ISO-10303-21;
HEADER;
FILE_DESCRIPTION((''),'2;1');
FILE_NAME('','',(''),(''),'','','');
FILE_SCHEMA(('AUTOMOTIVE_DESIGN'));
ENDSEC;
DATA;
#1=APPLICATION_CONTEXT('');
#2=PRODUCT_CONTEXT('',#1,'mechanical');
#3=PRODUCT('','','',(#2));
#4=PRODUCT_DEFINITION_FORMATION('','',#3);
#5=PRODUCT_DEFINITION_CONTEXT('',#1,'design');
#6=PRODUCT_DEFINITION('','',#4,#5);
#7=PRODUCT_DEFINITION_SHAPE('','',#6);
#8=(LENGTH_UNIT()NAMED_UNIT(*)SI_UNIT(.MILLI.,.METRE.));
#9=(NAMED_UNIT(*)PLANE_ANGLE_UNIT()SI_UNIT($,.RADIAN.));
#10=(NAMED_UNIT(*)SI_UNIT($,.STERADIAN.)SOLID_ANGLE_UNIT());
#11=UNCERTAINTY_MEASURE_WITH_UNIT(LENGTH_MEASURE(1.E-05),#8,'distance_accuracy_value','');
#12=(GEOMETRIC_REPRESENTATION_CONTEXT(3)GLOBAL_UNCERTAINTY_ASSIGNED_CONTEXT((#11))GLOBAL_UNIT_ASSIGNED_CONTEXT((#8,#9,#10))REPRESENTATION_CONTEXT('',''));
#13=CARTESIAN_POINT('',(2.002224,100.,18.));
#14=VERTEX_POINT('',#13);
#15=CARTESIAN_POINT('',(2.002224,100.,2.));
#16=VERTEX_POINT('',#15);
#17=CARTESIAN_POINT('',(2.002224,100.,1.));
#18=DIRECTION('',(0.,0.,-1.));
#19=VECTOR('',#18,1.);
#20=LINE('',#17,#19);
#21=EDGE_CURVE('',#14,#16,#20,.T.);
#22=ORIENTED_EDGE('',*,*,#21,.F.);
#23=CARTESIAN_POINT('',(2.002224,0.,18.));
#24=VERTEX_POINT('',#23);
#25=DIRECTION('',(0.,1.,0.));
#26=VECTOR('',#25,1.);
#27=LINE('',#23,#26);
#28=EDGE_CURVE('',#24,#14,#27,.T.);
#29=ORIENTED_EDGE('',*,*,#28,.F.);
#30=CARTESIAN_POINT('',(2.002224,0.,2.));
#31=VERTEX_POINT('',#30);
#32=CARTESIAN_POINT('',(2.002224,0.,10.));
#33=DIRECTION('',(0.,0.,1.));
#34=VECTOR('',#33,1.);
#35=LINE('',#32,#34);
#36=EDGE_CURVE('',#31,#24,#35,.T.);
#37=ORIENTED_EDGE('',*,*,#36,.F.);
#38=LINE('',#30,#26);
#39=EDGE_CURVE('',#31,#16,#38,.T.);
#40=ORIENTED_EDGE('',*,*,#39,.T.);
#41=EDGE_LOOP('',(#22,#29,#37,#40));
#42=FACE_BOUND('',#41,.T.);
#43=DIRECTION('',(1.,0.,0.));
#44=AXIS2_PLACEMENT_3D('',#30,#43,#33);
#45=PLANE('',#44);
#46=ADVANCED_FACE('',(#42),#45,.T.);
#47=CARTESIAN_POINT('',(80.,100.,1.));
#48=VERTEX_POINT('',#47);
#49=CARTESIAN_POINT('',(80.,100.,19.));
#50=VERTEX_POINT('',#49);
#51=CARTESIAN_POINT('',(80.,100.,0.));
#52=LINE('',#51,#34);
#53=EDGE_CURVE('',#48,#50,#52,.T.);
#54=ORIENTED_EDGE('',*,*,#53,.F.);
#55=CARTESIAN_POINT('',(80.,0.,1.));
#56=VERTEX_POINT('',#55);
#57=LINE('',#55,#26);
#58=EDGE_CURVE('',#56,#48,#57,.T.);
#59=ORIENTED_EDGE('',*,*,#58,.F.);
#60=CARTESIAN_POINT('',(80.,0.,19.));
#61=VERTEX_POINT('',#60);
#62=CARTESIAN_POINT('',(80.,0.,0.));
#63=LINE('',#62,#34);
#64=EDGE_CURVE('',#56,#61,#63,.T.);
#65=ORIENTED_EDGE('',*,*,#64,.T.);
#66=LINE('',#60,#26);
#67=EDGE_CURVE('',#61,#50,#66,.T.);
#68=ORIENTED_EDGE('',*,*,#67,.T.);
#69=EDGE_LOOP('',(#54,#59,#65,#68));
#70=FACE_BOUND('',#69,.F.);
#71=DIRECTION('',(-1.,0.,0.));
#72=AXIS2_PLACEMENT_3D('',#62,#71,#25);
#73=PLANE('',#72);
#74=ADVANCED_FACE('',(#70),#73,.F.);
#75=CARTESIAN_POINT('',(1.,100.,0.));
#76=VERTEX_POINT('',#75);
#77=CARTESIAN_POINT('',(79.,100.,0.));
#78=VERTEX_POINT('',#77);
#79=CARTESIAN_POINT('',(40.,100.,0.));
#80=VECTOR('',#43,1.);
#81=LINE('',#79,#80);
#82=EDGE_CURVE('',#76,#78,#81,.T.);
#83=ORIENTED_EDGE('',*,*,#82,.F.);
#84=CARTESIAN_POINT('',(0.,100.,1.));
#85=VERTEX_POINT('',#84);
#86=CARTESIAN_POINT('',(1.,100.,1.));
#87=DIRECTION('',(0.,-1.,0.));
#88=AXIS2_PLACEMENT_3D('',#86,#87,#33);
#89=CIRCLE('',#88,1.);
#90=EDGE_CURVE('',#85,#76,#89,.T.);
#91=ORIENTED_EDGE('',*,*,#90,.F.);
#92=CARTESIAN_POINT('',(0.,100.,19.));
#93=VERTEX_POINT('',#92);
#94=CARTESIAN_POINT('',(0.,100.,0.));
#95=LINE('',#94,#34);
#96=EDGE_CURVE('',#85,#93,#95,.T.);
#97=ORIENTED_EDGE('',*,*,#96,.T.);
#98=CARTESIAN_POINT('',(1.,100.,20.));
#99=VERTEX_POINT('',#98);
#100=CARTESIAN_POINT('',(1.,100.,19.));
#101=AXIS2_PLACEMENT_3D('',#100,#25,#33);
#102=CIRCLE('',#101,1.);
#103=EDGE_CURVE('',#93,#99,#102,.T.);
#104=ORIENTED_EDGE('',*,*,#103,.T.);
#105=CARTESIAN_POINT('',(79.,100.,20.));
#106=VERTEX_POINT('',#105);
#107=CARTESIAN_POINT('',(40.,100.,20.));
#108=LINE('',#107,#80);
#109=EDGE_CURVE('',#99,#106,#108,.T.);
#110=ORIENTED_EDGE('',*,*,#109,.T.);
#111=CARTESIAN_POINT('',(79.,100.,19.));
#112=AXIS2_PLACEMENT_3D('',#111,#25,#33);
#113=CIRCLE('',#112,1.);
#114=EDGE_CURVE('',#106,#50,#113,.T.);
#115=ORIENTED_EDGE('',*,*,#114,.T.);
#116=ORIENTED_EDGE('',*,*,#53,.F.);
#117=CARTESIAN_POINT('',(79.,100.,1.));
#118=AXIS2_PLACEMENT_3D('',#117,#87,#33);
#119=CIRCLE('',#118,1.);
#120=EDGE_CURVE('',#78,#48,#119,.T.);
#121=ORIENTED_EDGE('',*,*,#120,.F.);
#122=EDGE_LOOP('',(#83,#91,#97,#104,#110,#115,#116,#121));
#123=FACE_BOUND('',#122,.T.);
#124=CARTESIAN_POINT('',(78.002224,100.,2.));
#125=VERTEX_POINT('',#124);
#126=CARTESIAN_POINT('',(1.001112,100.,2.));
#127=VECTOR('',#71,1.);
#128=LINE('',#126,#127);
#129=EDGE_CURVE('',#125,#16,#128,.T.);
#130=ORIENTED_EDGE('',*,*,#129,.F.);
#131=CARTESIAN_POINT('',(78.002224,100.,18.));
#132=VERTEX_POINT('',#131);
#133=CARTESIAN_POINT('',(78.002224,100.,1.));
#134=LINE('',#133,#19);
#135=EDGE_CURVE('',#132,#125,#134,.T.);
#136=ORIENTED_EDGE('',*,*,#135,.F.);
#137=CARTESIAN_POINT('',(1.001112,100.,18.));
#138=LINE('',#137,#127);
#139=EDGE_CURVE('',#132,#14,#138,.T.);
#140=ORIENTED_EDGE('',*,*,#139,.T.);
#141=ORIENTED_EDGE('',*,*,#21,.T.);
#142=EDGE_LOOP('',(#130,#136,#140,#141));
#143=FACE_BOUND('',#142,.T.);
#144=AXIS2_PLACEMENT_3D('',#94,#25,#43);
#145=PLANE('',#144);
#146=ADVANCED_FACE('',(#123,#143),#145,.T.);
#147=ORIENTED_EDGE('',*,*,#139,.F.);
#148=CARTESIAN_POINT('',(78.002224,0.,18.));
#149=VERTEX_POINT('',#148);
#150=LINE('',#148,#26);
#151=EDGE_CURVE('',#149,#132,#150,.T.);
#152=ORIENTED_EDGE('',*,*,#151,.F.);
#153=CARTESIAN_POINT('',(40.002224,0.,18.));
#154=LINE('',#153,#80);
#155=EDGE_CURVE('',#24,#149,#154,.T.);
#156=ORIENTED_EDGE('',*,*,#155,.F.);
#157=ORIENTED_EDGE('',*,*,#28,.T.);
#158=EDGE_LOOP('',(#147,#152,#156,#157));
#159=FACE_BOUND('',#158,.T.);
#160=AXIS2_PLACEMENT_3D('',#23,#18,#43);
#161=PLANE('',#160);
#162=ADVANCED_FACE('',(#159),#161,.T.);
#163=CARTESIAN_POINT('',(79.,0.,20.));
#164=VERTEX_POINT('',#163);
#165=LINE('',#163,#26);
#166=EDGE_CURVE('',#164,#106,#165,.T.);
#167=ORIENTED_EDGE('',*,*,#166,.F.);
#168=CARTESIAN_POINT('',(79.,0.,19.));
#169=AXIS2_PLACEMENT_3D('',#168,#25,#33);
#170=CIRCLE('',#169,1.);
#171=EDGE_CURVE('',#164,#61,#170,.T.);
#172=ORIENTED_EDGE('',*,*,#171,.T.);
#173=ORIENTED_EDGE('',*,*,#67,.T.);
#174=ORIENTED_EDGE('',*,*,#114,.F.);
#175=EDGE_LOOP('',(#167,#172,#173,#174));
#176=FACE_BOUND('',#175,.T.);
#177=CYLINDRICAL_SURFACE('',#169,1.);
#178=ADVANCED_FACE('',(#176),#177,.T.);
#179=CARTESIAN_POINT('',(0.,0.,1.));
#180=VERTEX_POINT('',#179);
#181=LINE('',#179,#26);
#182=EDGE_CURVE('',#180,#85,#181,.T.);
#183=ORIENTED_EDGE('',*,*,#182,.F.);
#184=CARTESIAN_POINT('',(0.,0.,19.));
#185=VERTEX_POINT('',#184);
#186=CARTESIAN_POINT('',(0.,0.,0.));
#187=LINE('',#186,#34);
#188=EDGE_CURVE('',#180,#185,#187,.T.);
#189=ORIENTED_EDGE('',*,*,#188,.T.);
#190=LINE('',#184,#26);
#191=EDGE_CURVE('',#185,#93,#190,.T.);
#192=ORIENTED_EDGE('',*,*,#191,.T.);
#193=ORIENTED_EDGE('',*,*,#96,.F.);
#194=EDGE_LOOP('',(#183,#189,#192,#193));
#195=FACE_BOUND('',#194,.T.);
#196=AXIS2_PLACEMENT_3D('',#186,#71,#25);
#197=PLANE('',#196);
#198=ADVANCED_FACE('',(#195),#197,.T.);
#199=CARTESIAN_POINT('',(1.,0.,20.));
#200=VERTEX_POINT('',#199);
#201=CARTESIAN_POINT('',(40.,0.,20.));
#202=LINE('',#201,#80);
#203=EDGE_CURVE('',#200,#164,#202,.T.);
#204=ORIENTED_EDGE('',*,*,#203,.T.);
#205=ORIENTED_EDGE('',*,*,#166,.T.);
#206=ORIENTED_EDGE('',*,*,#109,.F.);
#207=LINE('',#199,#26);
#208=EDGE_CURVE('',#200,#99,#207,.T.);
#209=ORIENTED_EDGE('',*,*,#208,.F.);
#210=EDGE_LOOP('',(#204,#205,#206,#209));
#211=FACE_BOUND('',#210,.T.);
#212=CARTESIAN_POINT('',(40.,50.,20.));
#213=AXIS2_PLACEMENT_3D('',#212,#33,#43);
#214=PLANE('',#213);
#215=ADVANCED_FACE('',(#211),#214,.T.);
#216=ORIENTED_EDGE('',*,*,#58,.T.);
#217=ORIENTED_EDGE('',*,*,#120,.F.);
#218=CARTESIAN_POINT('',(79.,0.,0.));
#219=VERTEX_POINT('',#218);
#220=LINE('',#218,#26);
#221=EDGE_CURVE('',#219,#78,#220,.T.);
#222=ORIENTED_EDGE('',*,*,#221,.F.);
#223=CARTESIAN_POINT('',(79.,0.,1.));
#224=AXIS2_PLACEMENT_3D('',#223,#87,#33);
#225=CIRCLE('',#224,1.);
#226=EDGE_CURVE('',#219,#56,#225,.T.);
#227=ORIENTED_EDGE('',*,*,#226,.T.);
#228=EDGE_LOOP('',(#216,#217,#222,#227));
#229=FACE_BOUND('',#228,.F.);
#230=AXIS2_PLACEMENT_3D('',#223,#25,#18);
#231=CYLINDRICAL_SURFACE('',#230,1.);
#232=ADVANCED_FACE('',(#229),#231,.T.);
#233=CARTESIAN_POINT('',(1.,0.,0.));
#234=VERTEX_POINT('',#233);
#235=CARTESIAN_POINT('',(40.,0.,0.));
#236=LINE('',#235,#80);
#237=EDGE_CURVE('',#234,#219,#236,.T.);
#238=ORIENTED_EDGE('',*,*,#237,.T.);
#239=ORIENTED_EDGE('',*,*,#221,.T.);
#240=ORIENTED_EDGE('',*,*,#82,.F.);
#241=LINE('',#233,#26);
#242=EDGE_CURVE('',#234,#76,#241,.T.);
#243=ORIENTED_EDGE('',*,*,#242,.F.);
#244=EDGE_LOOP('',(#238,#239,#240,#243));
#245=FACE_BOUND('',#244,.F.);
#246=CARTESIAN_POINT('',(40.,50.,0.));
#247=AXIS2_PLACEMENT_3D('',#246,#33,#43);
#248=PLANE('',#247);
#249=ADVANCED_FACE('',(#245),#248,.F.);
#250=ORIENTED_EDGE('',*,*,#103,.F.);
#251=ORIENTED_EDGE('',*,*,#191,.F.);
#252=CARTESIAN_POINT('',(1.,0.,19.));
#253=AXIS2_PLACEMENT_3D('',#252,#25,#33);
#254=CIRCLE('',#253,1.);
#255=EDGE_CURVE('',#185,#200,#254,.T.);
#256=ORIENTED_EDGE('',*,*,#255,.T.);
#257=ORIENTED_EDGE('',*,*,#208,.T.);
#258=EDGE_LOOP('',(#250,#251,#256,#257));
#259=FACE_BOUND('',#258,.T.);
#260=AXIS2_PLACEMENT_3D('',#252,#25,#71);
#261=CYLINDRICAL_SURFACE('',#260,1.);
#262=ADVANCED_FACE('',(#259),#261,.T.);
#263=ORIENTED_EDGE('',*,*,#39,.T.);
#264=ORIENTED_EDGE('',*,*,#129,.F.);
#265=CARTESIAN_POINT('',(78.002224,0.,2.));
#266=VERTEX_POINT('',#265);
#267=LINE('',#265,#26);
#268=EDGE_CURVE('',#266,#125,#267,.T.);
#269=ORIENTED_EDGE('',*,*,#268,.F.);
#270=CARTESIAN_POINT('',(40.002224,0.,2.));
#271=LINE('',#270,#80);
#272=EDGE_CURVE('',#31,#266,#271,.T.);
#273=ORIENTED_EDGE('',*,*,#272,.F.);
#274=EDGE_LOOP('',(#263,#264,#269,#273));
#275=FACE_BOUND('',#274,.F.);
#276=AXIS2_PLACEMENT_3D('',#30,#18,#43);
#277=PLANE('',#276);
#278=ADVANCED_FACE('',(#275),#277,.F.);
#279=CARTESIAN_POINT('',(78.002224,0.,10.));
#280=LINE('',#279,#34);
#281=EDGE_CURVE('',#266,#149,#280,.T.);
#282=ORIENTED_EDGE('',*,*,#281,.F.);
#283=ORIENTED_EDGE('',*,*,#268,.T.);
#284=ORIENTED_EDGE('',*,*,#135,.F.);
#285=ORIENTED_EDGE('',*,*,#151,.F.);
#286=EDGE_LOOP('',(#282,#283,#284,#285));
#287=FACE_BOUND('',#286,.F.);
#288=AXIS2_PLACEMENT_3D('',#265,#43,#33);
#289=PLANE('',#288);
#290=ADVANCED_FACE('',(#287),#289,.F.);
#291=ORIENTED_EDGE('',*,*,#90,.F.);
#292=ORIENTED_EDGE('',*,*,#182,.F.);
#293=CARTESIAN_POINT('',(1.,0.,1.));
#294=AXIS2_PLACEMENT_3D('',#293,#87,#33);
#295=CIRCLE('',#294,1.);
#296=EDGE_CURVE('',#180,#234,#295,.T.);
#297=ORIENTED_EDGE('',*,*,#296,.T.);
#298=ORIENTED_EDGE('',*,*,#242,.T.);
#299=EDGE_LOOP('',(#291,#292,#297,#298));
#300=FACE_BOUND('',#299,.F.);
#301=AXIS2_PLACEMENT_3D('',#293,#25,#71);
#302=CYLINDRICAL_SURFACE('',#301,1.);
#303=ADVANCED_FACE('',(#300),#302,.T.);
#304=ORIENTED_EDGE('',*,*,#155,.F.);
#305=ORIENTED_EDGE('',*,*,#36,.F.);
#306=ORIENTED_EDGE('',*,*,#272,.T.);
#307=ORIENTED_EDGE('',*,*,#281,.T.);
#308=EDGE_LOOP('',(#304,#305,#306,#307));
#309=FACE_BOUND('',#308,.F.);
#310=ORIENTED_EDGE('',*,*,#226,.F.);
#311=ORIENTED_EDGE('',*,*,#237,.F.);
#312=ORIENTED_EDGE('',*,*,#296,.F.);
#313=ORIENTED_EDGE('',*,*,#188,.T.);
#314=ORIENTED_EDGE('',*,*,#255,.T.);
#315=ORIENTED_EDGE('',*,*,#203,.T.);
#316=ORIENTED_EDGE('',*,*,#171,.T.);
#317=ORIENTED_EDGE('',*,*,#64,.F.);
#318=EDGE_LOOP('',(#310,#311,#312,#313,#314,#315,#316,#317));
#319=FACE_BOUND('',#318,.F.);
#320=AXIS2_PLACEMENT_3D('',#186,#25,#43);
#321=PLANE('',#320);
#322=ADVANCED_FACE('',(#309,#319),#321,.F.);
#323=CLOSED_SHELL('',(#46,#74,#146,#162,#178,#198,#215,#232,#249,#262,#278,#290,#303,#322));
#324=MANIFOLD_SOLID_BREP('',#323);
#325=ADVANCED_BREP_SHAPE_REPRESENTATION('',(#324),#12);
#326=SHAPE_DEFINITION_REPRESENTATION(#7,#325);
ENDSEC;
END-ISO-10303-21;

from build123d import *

# Parameters (mm, degrees)
SKETCH_W     = 80
SKETCH_H     = 100
PAD_DEPTH    = 20
SKETCH001_W  = 76
SKETCH001_H  = 16
POCKET_DEPTH = 100.001
FILLET_R     = 1


with BuildPart() as part:
    # Sketch → Pad (new body)
    with BuildSketch(Plane.XY):
        with Locations((40, 50)):
            Rectangle(SKETCH_W, SKETCH_H)
    extrude(amount=PAD_DEPTH)

    # Sketch001 (on Face1 of Pad) → Pocket (cut, through all)
    with BuildSketch(Plane.XZ):
        with Locations((40.002224, 10)):
            Rectangle(SKETCH001_W, SKETCH001_H)
    extrude(amount=-POCKET_DEPTH, mode=Mode.SUBTRACT)

    # Fillet
    fillet_edges = [part.edges().sort_by_distance(p)[0] for p in [
        (0, 50, 0),
        (80, 50, 0),
        (0, 50, 20),
        (80, 50, 20),
    ]]
    fillet(fillet_edges, radius=FILLET_R)


solid = part.part
